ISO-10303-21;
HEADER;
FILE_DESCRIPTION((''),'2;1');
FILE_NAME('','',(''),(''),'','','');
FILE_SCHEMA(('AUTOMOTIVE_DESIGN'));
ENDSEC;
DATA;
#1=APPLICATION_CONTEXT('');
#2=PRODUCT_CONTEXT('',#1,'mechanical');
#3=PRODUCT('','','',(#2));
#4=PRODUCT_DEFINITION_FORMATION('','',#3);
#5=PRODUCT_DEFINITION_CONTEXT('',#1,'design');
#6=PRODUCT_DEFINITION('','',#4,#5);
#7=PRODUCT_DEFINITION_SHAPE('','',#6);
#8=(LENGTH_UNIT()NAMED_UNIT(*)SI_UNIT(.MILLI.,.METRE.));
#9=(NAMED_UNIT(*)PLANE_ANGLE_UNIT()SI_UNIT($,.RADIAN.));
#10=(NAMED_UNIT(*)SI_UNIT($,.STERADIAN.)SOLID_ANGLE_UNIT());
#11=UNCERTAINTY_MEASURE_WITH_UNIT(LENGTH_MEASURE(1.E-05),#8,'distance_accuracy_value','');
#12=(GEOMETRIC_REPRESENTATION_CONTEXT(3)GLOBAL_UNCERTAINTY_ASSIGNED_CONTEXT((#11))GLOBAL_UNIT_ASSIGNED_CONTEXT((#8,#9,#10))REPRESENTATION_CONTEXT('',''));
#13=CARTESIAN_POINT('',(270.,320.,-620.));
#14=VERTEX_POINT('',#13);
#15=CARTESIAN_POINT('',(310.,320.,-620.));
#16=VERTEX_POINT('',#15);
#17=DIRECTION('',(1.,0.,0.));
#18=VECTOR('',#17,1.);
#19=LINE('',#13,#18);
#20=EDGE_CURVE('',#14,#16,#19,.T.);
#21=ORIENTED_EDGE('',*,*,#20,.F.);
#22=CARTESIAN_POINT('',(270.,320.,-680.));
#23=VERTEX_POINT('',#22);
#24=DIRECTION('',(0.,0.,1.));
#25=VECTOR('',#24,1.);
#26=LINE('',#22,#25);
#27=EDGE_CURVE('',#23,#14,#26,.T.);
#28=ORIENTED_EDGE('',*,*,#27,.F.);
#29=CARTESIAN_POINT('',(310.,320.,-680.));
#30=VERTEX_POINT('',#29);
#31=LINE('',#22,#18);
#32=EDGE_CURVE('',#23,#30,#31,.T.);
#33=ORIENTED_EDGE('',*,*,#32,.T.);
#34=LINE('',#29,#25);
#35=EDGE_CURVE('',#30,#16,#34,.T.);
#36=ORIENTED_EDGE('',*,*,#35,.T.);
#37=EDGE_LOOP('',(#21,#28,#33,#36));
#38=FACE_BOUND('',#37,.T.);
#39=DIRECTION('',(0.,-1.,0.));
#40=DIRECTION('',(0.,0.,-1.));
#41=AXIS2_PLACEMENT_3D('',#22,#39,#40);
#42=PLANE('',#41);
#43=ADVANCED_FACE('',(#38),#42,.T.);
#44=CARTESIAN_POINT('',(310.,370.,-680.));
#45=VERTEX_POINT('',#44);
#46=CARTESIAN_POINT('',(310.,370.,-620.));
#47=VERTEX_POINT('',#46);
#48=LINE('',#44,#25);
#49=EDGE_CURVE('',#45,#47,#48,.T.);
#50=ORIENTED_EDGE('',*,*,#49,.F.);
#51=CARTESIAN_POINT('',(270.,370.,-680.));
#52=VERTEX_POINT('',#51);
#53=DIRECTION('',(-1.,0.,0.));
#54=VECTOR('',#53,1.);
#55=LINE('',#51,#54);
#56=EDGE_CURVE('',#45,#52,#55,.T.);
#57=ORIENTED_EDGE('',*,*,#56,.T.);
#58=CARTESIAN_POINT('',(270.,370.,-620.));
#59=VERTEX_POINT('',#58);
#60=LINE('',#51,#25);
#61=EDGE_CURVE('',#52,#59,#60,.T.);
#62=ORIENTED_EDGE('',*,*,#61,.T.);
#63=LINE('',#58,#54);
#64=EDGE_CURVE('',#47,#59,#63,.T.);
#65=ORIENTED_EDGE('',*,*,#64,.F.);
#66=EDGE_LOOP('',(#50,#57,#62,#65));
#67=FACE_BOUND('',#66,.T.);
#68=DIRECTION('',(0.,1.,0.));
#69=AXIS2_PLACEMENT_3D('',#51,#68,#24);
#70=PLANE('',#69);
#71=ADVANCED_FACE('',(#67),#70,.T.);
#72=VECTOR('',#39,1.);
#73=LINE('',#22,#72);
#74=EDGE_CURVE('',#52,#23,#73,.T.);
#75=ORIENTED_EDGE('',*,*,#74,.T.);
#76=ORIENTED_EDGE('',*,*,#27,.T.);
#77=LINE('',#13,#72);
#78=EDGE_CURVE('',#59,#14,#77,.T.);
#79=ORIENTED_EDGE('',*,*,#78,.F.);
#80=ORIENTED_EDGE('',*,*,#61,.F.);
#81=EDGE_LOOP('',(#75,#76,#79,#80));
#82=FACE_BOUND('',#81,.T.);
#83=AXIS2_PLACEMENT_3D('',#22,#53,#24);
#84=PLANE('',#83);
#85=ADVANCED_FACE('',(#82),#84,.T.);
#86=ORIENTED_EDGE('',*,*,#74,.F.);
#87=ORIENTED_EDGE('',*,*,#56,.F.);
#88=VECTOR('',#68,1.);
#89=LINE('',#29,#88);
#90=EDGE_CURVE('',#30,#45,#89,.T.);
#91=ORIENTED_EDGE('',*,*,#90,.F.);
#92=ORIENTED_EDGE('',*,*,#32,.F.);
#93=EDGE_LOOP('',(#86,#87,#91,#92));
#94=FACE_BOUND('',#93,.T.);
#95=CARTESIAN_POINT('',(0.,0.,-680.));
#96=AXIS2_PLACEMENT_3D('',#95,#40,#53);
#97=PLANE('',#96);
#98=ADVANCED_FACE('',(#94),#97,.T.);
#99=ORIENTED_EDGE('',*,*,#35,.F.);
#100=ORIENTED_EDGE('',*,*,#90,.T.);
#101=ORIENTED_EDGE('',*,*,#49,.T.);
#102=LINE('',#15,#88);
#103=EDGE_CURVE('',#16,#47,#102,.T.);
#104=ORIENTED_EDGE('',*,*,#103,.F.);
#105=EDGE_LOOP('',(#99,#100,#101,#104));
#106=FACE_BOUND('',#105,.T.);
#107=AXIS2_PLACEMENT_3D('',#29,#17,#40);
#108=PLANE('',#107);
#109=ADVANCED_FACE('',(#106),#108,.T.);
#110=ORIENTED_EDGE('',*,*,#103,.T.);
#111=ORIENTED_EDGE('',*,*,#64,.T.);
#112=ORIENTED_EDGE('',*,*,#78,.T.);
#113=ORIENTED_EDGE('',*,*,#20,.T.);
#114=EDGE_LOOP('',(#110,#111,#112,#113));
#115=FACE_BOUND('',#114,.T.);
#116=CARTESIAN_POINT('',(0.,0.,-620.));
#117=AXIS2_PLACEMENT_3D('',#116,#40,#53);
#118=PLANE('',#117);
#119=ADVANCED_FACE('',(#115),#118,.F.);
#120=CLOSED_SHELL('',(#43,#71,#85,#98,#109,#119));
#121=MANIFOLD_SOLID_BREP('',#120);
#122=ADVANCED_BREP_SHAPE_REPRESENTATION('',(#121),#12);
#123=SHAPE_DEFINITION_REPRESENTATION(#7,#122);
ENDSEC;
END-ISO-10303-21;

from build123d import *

# Parameters (mm, degrees)
PACK_VAKUM_SELENOID_KAPAK_1_START = -620
SKETCH1_W                         = 40
SKETCH1_H                         = 50
PACK_VAKUM_SELENOID_KAPAK_1_DEPTH = 60


with BuildPart() as part:
    # Sketch1 → PACK_vakum_selenoid_kapak_1 (new body)
    with BuildSketch(Plane.XY.offset(PACK_VAKUM_SELENOID_KAPAK_1_START)):
        with Locations((290, 345)):
            Rectangle(SKETCH1_W, SKETCH1_H)
    extrude(amount=-PACK_VAKUM_SELENOID_KAPAK_1_DEPTH)


solid = part.part
